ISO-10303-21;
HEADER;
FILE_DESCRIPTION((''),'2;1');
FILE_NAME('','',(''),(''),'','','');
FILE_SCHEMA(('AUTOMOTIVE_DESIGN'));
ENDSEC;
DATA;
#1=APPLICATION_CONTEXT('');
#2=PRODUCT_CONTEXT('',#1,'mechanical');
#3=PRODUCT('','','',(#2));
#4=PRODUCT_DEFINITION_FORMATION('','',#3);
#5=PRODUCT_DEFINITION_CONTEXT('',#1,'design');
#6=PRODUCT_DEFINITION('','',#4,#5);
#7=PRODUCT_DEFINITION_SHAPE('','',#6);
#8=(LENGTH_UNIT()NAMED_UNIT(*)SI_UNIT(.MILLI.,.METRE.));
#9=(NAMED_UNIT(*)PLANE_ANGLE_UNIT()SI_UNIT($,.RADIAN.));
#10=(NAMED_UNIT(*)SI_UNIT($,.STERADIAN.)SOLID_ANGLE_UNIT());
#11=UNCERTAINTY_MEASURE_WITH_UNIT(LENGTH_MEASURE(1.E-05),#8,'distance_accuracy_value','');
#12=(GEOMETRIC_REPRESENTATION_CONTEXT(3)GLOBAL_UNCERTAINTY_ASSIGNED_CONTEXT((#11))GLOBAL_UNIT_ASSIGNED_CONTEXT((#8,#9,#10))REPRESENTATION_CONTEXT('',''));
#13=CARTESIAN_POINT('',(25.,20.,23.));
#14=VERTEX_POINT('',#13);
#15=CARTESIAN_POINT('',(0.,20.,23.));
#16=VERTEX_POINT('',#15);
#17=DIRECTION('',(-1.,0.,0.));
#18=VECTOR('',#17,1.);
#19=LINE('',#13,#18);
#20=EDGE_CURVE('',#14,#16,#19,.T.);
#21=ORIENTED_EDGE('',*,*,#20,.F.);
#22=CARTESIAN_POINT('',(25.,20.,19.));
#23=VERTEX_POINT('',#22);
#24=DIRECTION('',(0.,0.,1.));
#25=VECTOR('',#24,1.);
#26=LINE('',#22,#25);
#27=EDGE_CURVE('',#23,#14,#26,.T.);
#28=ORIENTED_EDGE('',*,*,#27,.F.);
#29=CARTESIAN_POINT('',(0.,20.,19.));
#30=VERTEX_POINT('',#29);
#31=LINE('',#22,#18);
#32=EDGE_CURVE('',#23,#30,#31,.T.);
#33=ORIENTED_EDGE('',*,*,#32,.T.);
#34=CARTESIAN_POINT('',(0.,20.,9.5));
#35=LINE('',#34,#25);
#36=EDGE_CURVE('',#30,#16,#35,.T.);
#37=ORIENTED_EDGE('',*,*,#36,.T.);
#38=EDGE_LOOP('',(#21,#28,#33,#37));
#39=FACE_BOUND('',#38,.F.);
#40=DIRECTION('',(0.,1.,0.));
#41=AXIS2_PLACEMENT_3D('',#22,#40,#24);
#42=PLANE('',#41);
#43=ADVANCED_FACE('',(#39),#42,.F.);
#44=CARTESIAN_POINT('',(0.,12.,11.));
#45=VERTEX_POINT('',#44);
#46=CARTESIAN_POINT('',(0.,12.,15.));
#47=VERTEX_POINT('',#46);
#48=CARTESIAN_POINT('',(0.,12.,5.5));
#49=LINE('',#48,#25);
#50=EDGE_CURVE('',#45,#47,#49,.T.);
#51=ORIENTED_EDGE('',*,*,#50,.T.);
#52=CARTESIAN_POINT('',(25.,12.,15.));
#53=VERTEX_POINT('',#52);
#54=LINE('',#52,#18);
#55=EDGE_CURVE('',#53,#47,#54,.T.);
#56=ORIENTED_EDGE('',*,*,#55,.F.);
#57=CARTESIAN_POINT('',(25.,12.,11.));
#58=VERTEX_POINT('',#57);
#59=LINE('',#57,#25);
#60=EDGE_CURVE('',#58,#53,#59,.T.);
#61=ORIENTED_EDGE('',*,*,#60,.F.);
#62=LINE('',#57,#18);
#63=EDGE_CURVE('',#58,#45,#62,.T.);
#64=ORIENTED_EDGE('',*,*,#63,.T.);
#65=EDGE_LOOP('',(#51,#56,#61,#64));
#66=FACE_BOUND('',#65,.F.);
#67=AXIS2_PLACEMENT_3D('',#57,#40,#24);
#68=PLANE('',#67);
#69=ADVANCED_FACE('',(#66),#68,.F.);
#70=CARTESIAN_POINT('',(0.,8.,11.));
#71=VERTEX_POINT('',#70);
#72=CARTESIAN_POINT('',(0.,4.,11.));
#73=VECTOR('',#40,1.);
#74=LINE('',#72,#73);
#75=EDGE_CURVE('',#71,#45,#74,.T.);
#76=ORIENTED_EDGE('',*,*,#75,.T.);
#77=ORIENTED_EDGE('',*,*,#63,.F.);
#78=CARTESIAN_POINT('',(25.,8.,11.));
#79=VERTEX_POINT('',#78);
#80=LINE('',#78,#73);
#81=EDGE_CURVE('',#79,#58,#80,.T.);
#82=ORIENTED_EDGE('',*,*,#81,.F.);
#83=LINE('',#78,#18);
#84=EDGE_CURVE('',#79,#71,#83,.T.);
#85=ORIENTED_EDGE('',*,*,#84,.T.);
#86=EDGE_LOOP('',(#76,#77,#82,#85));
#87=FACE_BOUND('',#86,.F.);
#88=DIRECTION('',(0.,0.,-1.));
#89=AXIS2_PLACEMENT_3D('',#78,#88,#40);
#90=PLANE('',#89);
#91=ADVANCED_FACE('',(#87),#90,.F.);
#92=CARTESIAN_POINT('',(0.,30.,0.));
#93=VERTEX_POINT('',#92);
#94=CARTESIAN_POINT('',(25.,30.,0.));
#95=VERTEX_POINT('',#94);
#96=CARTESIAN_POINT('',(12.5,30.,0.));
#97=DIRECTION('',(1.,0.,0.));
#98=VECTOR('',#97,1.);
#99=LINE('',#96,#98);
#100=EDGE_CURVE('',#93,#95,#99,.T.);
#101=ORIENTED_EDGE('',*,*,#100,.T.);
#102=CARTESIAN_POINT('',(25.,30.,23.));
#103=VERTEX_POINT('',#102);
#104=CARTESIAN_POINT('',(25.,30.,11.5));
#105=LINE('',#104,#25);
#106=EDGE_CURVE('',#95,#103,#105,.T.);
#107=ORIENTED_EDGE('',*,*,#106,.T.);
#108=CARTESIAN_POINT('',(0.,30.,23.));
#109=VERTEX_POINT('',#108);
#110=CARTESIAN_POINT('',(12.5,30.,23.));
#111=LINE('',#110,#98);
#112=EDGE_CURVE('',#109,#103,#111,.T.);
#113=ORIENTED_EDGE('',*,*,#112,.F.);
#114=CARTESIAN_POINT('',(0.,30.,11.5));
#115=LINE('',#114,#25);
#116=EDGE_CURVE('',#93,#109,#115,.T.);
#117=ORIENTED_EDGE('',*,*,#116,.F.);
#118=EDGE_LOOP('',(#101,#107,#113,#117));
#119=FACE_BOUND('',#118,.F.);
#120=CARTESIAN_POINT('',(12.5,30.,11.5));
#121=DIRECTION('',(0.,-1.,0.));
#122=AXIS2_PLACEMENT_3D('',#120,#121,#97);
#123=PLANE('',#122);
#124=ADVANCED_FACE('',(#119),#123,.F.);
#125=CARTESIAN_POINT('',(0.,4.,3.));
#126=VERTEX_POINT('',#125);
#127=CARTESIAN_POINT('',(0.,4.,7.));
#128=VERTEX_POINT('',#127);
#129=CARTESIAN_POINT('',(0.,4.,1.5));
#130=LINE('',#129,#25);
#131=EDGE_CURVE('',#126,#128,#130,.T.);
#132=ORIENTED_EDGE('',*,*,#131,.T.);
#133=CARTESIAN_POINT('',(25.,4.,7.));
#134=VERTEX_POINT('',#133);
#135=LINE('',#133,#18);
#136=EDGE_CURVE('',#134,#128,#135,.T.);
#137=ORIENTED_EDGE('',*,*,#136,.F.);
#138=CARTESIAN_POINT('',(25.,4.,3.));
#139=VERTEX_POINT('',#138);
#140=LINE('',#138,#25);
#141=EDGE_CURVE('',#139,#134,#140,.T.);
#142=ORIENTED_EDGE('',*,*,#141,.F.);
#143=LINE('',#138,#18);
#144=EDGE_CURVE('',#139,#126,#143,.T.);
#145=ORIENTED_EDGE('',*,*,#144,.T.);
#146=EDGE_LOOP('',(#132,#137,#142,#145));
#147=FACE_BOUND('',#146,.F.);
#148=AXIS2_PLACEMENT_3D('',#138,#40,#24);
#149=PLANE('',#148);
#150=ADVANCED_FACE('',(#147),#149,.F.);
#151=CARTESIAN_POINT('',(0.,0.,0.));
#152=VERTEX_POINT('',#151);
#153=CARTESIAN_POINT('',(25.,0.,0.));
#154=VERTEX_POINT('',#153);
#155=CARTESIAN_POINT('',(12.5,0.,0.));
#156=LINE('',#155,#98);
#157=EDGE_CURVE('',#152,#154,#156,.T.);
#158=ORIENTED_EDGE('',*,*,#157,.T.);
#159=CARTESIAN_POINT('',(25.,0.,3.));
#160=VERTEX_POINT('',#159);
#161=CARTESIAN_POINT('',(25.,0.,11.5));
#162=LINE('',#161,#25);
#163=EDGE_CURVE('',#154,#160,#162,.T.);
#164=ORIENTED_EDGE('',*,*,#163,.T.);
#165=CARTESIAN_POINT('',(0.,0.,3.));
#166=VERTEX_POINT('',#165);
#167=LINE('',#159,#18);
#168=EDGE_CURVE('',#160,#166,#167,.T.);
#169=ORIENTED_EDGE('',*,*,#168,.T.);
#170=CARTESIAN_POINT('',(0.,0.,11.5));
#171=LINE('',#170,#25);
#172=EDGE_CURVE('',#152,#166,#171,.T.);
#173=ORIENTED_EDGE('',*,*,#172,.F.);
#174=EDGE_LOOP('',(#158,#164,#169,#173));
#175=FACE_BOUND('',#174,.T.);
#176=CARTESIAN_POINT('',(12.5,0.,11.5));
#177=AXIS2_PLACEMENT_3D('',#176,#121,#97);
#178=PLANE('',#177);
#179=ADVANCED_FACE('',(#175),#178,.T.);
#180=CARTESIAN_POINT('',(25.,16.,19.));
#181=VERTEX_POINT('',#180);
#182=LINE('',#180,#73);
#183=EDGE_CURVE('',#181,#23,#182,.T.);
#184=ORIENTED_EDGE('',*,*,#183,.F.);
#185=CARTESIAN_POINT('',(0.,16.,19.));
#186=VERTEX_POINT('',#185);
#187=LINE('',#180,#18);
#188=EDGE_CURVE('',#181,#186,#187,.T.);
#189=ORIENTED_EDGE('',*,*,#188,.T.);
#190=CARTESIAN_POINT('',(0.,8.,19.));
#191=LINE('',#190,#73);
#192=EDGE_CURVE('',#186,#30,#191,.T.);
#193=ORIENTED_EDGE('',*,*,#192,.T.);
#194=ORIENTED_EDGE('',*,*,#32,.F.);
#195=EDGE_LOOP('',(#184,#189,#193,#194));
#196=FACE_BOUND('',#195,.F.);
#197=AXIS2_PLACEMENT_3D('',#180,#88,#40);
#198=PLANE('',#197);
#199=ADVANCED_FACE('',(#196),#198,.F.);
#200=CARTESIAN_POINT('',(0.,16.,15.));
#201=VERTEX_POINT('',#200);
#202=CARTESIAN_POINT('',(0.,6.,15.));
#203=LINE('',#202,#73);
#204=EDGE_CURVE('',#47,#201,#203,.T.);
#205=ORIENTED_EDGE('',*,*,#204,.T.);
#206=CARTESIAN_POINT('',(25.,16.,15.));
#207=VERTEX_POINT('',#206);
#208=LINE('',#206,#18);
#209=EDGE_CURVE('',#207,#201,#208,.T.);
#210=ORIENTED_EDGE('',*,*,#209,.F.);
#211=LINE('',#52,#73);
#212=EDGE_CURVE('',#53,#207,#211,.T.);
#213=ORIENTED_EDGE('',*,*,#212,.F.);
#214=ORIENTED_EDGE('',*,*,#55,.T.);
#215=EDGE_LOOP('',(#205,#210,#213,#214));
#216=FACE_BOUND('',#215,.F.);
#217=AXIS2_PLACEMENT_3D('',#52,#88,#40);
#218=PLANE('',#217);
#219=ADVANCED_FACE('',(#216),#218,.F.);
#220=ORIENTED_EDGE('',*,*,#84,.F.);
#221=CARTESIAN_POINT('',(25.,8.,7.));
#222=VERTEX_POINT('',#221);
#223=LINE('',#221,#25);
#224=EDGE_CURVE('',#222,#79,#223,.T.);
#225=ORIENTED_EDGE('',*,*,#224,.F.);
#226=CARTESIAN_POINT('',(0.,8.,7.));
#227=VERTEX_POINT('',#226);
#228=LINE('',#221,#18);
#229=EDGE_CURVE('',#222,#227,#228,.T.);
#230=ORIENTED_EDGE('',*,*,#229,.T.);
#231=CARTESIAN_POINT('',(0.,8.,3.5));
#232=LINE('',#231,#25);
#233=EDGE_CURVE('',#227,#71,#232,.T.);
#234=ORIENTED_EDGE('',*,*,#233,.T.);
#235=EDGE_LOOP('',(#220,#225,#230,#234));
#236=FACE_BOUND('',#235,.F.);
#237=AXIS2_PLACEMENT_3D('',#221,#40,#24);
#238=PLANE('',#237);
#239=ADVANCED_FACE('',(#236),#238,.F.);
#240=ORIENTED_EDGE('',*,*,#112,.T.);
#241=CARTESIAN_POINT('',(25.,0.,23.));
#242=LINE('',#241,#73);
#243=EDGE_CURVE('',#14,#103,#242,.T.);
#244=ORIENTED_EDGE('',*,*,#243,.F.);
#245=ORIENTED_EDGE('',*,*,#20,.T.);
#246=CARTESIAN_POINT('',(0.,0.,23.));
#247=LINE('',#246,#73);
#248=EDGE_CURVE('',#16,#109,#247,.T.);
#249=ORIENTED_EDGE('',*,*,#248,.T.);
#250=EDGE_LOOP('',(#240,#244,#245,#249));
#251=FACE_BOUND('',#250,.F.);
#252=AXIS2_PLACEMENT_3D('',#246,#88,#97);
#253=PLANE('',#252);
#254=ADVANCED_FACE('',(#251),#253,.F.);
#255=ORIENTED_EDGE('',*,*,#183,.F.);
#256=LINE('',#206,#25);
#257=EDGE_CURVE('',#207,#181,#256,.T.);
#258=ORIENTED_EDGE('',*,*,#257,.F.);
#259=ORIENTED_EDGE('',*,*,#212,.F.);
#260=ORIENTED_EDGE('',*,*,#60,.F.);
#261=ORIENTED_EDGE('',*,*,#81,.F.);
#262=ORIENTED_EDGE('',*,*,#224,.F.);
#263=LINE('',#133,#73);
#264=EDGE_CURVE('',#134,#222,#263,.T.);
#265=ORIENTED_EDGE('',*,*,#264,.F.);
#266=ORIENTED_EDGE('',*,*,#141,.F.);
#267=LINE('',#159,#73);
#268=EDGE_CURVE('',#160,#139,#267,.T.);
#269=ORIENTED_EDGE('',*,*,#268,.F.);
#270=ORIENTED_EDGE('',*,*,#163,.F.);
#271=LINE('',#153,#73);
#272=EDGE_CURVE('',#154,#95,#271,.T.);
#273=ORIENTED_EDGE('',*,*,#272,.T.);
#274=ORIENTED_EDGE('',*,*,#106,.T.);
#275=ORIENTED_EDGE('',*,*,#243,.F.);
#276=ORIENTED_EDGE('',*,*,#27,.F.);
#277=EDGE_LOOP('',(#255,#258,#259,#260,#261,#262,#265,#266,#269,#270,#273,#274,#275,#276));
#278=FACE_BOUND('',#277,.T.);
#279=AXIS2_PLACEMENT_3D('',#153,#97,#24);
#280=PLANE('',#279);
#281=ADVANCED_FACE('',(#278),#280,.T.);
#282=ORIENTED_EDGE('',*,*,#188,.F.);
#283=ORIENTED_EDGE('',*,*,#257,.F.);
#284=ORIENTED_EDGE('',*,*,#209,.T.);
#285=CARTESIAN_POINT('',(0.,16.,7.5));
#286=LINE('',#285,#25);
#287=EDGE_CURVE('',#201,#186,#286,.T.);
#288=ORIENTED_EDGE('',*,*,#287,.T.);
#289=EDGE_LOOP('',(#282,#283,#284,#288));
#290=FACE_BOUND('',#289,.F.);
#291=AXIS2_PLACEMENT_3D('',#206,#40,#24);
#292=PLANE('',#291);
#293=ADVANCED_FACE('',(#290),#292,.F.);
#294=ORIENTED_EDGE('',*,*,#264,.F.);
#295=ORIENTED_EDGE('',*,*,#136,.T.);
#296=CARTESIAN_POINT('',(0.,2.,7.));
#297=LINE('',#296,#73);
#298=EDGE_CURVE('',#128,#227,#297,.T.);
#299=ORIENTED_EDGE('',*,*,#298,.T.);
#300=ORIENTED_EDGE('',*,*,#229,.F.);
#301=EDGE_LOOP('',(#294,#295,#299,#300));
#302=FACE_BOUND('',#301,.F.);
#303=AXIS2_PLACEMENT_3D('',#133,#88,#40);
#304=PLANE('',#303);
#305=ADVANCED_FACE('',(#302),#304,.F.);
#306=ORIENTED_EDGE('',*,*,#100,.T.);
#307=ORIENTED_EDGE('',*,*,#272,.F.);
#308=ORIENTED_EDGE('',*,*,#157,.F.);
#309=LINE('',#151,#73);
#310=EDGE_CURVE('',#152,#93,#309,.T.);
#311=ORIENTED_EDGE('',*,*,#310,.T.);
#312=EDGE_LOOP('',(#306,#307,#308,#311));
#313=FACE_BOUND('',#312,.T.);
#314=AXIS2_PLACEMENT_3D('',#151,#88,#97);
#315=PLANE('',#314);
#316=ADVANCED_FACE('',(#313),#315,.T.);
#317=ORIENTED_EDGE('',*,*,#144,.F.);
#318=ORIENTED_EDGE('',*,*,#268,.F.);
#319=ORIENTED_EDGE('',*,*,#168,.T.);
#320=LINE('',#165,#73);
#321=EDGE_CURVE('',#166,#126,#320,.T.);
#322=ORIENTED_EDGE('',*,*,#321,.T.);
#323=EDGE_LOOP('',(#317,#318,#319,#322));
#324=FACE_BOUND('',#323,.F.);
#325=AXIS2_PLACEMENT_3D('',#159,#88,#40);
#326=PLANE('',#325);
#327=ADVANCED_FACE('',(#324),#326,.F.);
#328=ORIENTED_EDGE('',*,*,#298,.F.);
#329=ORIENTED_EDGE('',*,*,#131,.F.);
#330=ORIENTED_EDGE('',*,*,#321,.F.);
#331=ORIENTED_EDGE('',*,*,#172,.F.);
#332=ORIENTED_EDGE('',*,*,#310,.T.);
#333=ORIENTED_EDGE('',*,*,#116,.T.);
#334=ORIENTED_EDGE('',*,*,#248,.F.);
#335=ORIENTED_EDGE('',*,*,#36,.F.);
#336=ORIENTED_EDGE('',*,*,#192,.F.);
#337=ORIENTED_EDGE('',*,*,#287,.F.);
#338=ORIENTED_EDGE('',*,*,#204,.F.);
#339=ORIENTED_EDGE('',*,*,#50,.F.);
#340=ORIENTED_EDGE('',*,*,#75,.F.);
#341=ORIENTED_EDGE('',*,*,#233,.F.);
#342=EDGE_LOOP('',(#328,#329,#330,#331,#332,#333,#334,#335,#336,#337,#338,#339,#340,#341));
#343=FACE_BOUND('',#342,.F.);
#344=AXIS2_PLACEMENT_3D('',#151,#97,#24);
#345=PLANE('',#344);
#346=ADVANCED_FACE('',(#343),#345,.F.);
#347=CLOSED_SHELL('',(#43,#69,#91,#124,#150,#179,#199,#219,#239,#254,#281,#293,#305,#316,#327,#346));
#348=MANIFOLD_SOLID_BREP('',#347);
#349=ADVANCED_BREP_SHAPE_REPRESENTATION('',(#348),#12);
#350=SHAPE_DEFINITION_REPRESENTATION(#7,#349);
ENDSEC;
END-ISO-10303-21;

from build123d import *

# Parameters (mm, degrees)
F0_W     = 25
F0_H     = 23
F1_DEPTH = 30
F3_DEPTH = 25.001


with BuildPart() as f1:
    # F0 (on Front) → F1 (new body)
    with BuildSketch(Plane.XZ):
        with Locations((12.5, 11.5)):
            Rectangle(F0_W, F0_H)
    extrude(amount=-F1_DEPTH)

    # F2 (on face) → F3 (cut, through all)
    with BuildSketch(Plane.YZ.offset(25)):
        Polygon((20, 23), (0, 23), (0, 3), (4, 3), (4, 7), (8, 7), (8, 11), (12, 11), (12, 15), (16, 15), (16, 19), (20, 19), align=None)
    extrude(amount=-F3_DEPTH, mode=Mode.SUBTRACT)


solid = f1.part
